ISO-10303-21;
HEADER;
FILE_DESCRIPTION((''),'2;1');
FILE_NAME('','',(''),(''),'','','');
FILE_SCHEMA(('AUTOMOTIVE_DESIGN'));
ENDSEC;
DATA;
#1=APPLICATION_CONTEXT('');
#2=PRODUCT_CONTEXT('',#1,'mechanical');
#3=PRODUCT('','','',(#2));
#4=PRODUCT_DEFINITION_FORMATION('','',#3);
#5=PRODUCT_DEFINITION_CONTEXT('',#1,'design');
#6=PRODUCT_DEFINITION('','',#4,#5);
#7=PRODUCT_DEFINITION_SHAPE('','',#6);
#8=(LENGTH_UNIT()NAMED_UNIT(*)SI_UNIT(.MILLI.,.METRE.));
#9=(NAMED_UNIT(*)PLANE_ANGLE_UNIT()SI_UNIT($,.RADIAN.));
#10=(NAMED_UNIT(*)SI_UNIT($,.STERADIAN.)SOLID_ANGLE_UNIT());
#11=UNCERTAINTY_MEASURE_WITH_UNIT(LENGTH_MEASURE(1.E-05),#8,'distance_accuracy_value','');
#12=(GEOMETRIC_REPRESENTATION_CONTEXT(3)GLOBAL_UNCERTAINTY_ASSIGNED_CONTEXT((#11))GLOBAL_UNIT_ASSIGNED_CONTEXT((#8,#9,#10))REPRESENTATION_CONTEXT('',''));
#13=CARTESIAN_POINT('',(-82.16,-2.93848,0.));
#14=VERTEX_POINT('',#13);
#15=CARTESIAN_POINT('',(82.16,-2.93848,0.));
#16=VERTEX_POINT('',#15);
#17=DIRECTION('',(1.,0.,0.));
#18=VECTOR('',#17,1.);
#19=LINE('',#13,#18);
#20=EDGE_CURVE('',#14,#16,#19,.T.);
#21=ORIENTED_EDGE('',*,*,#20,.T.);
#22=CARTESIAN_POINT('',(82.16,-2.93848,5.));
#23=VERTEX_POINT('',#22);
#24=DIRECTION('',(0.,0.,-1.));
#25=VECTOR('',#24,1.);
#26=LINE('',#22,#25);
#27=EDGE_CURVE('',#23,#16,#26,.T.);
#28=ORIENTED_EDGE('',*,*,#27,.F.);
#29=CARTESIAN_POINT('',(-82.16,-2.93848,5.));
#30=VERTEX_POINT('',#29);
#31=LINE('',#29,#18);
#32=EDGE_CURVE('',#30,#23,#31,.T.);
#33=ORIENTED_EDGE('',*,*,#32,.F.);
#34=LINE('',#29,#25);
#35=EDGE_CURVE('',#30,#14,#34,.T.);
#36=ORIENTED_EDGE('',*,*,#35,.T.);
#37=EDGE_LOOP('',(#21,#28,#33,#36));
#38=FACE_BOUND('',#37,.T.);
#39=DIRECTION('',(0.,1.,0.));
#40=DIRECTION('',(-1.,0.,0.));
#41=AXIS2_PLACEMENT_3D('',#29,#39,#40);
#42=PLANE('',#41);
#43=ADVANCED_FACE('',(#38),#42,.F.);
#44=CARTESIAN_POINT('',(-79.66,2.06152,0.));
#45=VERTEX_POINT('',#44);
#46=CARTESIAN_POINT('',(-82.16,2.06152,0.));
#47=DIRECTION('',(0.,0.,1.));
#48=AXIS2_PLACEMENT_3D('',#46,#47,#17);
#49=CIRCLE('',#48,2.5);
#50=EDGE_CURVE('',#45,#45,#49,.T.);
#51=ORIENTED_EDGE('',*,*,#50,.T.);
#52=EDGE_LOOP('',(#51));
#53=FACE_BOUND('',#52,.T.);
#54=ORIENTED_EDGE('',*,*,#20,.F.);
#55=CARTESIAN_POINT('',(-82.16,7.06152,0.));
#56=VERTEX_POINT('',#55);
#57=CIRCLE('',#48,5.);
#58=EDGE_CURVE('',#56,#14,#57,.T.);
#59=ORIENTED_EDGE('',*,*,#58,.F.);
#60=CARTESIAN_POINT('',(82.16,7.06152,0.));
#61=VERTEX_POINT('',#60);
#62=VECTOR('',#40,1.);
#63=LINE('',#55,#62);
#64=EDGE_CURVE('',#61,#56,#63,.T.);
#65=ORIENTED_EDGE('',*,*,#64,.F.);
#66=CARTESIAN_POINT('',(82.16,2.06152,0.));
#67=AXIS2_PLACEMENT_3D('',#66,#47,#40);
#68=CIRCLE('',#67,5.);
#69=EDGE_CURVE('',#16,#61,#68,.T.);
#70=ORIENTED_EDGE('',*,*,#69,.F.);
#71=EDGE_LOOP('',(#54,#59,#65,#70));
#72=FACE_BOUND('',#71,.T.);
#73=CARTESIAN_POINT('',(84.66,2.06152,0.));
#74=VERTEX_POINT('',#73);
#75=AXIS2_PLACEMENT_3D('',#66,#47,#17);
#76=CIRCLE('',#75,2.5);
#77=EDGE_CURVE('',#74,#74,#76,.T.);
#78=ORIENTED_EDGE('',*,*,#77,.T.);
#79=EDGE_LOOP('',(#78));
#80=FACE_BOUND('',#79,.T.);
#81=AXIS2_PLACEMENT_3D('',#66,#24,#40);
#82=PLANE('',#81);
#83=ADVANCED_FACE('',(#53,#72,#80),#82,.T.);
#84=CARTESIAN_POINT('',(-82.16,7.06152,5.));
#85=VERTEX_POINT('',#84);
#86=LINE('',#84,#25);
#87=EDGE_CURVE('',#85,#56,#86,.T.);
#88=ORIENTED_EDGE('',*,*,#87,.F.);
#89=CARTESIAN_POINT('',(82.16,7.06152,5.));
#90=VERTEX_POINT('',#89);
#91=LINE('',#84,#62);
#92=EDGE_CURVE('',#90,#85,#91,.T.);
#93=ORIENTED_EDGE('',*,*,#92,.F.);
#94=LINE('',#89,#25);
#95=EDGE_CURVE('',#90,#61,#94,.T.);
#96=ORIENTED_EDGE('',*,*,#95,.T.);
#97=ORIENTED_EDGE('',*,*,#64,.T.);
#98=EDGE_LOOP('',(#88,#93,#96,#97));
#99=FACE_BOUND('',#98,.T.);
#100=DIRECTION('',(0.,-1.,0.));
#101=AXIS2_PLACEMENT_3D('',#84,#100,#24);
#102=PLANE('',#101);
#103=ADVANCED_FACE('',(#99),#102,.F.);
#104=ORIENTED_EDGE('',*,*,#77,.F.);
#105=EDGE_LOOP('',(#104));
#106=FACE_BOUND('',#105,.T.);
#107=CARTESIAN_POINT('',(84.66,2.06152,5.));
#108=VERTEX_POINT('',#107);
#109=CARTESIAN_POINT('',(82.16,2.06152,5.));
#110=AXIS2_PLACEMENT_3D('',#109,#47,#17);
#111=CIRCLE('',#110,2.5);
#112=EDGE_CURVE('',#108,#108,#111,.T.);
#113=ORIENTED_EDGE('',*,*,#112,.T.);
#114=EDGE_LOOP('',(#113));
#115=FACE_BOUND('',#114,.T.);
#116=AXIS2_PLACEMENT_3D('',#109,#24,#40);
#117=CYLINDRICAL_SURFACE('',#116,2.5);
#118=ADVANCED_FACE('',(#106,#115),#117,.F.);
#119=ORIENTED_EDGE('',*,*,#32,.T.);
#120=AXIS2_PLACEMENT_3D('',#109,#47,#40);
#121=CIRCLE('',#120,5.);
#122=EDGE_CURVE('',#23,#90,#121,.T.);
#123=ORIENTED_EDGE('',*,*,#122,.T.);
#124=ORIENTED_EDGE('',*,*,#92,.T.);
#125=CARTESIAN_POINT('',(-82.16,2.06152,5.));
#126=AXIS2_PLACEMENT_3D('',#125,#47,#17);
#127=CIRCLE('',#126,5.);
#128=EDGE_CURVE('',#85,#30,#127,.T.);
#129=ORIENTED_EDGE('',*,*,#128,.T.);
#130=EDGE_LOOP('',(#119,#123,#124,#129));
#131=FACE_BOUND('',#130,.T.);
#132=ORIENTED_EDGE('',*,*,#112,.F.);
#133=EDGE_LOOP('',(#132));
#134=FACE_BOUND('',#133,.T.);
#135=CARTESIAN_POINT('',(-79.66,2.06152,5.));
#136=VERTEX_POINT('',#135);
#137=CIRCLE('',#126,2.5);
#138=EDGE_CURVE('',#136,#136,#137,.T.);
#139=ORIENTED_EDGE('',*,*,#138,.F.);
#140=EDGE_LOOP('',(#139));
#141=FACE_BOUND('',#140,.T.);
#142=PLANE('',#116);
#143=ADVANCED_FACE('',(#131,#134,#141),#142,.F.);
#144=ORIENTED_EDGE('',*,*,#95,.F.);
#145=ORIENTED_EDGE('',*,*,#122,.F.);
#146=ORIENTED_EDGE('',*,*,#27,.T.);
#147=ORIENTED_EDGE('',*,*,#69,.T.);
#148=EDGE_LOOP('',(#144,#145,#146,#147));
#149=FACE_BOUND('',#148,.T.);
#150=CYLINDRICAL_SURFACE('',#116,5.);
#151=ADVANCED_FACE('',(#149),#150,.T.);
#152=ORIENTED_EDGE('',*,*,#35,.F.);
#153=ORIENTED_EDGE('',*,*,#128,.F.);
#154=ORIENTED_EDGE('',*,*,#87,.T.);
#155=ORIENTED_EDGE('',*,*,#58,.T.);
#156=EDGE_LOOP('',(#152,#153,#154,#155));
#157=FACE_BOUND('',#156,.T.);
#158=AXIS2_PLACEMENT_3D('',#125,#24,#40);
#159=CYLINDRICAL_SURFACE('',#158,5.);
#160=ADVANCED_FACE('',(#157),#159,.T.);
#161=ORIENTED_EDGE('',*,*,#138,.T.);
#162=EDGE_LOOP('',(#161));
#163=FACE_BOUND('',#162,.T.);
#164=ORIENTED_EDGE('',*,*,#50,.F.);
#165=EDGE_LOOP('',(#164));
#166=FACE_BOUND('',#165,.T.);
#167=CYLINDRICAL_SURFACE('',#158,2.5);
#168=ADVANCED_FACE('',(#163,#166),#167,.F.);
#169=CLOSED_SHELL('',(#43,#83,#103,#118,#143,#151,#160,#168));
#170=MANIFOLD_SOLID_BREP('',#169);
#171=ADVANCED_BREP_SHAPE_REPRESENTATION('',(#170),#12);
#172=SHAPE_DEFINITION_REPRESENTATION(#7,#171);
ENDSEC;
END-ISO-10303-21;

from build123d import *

# Parameters (mm, degrees)
ESBO_O2_R                = 2.5
RESSALTO_EXTRUS_O1_DEPTH = 5


with BuildPart() as part:
    # Esboço2 → Ressalto-extrusão1 (new body)
    with BuildSketch(Plane.XY):
        with BuildLine():
            Line((-82.16, 7.061519582), (82.16, 7.061519582))
            ThreePointArc((82.16, 7.061519582), (87.16, 2.061519582), (82.16, -2.938480418))
            Line((82.16, -2.938480418), (-82.16, -2.938480418))
            ThreePointArc((-82.16, -2.938480418), (-87.16, 2.061519582), (-82.16, 7.061519582))
        make_face()
        with Locations((-82.16, 2.061519582)):
            Circle(ESBO_O2_R, mode=Mode.SUBTRACT)
        with Locations((82.16, 2.061519582)):
            Circle(ESBO_O2_R, mode=Mode.SUBTRACT)
    extrude(amount=RESSALTO_EXTRUS_O1_DEPTH)


solid = part.part
